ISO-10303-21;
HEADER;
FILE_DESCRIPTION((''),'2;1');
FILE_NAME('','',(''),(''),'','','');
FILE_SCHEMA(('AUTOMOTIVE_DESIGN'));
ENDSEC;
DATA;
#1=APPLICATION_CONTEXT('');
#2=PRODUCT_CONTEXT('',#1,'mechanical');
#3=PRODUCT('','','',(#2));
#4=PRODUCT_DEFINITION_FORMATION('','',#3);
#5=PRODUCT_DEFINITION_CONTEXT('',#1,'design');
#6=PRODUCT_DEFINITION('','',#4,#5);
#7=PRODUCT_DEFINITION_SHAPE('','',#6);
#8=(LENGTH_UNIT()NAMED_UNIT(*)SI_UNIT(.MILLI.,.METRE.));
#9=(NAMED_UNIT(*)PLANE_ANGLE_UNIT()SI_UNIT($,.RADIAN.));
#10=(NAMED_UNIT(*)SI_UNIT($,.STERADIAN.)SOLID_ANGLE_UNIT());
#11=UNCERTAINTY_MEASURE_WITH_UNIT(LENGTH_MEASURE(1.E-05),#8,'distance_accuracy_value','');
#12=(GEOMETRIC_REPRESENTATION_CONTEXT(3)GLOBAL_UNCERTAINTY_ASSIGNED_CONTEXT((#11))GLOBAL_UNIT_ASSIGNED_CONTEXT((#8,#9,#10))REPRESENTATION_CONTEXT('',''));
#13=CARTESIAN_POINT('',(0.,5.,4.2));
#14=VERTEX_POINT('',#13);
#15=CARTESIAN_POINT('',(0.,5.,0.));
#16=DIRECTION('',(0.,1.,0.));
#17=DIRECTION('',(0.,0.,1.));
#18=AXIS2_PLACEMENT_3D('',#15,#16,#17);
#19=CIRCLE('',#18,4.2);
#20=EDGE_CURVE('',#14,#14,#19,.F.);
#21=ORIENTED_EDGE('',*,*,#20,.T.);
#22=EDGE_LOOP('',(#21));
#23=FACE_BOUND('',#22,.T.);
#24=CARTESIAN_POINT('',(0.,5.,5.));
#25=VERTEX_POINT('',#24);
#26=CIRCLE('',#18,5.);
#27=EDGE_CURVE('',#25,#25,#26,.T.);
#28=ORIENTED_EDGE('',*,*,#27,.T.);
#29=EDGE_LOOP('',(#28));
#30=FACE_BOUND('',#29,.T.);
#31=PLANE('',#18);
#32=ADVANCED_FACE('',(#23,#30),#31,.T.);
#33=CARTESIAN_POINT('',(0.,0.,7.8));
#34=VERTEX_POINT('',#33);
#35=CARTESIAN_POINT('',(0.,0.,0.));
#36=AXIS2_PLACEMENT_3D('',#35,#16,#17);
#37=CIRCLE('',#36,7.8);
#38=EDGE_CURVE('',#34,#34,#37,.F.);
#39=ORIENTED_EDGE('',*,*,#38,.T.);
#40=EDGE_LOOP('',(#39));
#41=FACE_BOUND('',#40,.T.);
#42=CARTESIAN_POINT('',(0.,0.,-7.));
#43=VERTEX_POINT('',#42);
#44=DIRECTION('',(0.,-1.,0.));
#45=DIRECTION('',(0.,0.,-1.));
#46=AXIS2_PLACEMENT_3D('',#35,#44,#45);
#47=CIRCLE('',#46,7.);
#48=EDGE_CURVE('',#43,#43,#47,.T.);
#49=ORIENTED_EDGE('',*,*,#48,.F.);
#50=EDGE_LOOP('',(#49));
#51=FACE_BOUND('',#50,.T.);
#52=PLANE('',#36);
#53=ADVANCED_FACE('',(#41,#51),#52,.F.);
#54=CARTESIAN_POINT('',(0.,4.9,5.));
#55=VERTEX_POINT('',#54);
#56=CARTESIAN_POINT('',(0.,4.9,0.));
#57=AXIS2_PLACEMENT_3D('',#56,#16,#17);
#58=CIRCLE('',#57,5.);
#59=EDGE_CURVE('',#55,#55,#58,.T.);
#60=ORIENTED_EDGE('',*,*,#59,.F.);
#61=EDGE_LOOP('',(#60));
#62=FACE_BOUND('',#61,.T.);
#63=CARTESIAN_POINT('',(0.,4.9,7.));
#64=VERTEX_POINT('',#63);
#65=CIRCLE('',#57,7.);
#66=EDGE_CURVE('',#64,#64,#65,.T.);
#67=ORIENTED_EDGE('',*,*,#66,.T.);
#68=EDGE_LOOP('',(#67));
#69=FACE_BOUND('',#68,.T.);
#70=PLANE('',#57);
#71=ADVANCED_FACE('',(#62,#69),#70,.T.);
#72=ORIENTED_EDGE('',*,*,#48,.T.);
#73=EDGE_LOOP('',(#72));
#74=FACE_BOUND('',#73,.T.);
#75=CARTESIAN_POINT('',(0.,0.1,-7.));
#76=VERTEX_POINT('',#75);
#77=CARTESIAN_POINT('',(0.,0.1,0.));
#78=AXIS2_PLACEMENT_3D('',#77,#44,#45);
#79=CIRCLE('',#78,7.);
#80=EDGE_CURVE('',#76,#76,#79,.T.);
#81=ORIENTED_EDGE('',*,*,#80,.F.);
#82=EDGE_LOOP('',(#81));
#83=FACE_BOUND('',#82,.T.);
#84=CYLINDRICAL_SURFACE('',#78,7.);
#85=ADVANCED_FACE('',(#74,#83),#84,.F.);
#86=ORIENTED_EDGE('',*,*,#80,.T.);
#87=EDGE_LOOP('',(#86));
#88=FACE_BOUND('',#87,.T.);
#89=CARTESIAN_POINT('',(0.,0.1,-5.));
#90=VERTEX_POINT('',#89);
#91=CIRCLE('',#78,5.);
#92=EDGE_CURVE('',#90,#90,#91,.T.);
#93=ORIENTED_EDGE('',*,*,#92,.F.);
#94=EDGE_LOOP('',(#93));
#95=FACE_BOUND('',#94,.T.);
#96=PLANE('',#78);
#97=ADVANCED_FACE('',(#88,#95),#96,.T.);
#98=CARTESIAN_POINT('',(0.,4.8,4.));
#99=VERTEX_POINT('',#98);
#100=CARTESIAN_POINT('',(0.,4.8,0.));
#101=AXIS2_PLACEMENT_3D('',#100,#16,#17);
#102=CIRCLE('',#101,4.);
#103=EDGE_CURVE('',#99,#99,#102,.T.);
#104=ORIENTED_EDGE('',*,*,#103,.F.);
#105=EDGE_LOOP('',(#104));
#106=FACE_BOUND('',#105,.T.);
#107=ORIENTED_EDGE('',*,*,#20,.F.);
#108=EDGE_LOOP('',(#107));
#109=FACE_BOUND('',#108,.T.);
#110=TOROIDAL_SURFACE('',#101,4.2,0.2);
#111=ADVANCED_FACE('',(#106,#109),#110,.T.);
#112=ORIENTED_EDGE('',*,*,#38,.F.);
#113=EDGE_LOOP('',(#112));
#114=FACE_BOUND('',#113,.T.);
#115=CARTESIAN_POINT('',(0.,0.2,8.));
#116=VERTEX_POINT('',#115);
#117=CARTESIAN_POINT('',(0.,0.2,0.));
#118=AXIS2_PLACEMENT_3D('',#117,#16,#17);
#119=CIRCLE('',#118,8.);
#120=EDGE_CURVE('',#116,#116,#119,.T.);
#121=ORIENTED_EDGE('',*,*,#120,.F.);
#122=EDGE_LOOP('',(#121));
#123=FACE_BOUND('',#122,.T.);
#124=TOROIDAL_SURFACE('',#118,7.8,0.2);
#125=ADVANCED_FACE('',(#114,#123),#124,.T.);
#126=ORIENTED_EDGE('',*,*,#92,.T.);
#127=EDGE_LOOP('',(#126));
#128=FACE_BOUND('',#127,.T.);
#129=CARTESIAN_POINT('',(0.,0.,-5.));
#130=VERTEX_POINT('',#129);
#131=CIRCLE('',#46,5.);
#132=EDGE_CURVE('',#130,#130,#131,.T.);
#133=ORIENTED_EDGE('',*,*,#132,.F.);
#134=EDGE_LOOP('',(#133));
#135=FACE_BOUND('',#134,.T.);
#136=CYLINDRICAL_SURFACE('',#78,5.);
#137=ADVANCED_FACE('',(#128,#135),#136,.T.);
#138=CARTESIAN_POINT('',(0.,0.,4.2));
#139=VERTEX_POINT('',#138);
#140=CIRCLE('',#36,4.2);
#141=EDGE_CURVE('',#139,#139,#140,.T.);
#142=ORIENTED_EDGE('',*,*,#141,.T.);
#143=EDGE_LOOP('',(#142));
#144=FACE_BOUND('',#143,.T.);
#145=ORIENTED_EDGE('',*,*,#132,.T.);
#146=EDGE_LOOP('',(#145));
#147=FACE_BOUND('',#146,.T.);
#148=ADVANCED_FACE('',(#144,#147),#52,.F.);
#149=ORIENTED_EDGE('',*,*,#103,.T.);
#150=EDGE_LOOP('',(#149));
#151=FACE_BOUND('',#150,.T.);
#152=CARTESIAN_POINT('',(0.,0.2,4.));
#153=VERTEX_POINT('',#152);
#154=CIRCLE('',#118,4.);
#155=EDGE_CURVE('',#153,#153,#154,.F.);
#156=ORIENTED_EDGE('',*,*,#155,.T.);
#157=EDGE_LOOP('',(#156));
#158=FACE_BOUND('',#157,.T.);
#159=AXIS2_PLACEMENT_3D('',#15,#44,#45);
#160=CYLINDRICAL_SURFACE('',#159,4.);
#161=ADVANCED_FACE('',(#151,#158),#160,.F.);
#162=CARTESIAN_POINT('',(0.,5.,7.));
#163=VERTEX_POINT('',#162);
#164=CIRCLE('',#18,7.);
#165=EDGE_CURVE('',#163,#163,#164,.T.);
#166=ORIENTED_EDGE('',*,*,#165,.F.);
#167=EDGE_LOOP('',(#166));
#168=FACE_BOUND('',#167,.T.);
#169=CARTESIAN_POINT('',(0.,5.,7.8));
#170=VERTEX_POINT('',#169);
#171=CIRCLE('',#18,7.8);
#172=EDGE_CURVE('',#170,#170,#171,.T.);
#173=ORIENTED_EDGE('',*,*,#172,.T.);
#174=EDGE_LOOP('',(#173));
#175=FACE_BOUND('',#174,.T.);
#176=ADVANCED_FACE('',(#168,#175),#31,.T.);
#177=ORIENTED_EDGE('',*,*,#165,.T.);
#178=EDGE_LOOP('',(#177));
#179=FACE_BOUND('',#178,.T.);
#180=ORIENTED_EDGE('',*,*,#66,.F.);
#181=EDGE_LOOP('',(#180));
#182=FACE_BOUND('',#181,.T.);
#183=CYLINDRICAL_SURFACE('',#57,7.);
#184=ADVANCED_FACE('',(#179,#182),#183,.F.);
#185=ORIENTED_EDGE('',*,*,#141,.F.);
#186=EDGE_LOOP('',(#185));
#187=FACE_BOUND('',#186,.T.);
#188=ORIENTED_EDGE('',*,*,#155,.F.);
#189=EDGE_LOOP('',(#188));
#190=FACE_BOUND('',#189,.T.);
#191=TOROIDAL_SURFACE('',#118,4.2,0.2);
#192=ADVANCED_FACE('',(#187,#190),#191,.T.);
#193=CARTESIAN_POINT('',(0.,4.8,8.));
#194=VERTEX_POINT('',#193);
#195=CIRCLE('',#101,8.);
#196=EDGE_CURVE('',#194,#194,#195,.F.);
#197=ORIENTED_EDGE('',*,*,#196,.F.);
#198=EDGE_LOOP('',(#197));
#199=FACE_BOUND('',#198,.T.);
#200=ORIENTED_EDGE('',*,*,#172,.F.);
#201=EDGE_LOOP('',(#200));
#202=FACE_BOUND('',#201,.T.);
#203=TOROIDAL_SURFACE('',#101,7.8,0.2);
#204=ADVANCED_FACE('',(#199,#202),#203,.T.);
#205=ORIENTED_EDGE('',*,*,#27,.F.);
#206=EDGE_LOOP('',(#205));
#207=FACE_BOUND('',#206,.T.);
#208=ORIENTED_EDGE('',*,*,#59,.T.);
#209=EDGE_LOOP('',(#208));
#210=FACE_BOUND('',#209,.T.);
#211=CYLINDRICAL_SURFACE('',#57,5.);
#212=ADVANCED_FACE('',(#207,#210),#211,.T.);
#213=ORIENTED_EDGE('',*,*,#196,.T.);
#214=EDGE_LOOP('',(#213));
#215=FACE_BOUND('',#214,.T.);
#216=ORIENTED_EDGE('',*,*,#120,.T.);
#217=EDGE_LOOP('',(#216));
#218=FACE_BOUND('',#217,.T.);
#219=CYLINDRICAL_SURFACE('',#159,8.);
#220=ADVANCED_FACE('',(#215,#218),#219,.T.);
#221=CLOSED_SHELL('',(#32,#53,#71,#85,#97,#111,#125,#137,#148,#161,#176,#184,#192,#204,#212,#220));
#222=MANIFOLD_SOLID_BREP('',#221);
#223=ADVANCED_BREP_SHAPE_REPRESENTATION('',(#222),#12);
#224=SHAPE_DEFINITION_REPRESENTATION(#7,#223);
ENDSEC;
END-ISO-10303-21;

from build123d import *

# Parameters (mm, degrees)
SKETCH1_R           = 8
SKETCH1_R_2         = 4
BOSS_EXTRUDE1_DEPTH = 5
FILLET1_R           = 0.2
SKETCH2_R           = 7
SKETCH2_R_2         = 5
CUT_EXTRUDE1_DEPTH  = 0.1
CUT_EXTRUDE2_START  = -0.1
SKETCH3_R           = 7
SKETCH3_R_2         = 5
CUT_EXTRUDE2_DEPTH  = 0.1


with BuildPart() as part:
    # Sketch1 → Boss-Extrude1 (new body)
    with BuildSketch(Plane(origin=(0, 0, 0), x_dir=(1, 0, 0), z_dir=(0, 1, 0))):
        with Locations(Location((0, 0, 0), (0, 0, 270))):
            Circle(SKETCH1_R)
        with Locations(Location((0, 0, 0), (0, 0, 270))):
            Circle(SKETCH1_R_2, mode=Mode.SUBTRACT)
    extrude(amount=BOSS_EXTRUDE1_DEPTH)

    # Fillet1
    fillet1_edges = [part.edges().sort_by_distance(p)[0] for p in [
        (0, 0, -8),
        (0, 5, -8),
        (0, 0, -4),
        (0, 5, -4),
    ]]
    fillet(fillet1_edges, radius=FILLET1_R)

    # Sketch2 → Cut-Extrude1 (cut)
    with BuildSketch(Plane(origin=(0, 5, 0), x_dir=(1, 0, 0), z_dir=(0, 1, 0))):
        with Locations(Location((0, 0, 0), (0, 0, 270))):
            Circle(SKETCH2_R)
        with Locations(Location((0, 0, 0), (0, 0, 270))):
            Circle(SKETCH2_R_2, mode=Mode.SUBTRACT)
    extrude(amount=-CUT_EXTRUDE1_DEPTH, mode=Mode.SUBTRACT)

    # Sketch3 → Cut-Extrude2 (cut)
    with BuildSketch(Plane.XZ.offset(CUT_EXTRUDE2_START)):
        with Locations(Location((0, 0, 0), (0, 0, 90))):
            Circle(SKETCH3_R)
        with Locations(Location((0, 0, 0), (0, 0, 90))):
            Circle(SKETCH3_R_2, mode=Mode.SUBTRACT)
    extrude(amount=CUT_EXTRUDE2_DEPTH, mode=Mode.SUBTRACT)


solid = part.part
